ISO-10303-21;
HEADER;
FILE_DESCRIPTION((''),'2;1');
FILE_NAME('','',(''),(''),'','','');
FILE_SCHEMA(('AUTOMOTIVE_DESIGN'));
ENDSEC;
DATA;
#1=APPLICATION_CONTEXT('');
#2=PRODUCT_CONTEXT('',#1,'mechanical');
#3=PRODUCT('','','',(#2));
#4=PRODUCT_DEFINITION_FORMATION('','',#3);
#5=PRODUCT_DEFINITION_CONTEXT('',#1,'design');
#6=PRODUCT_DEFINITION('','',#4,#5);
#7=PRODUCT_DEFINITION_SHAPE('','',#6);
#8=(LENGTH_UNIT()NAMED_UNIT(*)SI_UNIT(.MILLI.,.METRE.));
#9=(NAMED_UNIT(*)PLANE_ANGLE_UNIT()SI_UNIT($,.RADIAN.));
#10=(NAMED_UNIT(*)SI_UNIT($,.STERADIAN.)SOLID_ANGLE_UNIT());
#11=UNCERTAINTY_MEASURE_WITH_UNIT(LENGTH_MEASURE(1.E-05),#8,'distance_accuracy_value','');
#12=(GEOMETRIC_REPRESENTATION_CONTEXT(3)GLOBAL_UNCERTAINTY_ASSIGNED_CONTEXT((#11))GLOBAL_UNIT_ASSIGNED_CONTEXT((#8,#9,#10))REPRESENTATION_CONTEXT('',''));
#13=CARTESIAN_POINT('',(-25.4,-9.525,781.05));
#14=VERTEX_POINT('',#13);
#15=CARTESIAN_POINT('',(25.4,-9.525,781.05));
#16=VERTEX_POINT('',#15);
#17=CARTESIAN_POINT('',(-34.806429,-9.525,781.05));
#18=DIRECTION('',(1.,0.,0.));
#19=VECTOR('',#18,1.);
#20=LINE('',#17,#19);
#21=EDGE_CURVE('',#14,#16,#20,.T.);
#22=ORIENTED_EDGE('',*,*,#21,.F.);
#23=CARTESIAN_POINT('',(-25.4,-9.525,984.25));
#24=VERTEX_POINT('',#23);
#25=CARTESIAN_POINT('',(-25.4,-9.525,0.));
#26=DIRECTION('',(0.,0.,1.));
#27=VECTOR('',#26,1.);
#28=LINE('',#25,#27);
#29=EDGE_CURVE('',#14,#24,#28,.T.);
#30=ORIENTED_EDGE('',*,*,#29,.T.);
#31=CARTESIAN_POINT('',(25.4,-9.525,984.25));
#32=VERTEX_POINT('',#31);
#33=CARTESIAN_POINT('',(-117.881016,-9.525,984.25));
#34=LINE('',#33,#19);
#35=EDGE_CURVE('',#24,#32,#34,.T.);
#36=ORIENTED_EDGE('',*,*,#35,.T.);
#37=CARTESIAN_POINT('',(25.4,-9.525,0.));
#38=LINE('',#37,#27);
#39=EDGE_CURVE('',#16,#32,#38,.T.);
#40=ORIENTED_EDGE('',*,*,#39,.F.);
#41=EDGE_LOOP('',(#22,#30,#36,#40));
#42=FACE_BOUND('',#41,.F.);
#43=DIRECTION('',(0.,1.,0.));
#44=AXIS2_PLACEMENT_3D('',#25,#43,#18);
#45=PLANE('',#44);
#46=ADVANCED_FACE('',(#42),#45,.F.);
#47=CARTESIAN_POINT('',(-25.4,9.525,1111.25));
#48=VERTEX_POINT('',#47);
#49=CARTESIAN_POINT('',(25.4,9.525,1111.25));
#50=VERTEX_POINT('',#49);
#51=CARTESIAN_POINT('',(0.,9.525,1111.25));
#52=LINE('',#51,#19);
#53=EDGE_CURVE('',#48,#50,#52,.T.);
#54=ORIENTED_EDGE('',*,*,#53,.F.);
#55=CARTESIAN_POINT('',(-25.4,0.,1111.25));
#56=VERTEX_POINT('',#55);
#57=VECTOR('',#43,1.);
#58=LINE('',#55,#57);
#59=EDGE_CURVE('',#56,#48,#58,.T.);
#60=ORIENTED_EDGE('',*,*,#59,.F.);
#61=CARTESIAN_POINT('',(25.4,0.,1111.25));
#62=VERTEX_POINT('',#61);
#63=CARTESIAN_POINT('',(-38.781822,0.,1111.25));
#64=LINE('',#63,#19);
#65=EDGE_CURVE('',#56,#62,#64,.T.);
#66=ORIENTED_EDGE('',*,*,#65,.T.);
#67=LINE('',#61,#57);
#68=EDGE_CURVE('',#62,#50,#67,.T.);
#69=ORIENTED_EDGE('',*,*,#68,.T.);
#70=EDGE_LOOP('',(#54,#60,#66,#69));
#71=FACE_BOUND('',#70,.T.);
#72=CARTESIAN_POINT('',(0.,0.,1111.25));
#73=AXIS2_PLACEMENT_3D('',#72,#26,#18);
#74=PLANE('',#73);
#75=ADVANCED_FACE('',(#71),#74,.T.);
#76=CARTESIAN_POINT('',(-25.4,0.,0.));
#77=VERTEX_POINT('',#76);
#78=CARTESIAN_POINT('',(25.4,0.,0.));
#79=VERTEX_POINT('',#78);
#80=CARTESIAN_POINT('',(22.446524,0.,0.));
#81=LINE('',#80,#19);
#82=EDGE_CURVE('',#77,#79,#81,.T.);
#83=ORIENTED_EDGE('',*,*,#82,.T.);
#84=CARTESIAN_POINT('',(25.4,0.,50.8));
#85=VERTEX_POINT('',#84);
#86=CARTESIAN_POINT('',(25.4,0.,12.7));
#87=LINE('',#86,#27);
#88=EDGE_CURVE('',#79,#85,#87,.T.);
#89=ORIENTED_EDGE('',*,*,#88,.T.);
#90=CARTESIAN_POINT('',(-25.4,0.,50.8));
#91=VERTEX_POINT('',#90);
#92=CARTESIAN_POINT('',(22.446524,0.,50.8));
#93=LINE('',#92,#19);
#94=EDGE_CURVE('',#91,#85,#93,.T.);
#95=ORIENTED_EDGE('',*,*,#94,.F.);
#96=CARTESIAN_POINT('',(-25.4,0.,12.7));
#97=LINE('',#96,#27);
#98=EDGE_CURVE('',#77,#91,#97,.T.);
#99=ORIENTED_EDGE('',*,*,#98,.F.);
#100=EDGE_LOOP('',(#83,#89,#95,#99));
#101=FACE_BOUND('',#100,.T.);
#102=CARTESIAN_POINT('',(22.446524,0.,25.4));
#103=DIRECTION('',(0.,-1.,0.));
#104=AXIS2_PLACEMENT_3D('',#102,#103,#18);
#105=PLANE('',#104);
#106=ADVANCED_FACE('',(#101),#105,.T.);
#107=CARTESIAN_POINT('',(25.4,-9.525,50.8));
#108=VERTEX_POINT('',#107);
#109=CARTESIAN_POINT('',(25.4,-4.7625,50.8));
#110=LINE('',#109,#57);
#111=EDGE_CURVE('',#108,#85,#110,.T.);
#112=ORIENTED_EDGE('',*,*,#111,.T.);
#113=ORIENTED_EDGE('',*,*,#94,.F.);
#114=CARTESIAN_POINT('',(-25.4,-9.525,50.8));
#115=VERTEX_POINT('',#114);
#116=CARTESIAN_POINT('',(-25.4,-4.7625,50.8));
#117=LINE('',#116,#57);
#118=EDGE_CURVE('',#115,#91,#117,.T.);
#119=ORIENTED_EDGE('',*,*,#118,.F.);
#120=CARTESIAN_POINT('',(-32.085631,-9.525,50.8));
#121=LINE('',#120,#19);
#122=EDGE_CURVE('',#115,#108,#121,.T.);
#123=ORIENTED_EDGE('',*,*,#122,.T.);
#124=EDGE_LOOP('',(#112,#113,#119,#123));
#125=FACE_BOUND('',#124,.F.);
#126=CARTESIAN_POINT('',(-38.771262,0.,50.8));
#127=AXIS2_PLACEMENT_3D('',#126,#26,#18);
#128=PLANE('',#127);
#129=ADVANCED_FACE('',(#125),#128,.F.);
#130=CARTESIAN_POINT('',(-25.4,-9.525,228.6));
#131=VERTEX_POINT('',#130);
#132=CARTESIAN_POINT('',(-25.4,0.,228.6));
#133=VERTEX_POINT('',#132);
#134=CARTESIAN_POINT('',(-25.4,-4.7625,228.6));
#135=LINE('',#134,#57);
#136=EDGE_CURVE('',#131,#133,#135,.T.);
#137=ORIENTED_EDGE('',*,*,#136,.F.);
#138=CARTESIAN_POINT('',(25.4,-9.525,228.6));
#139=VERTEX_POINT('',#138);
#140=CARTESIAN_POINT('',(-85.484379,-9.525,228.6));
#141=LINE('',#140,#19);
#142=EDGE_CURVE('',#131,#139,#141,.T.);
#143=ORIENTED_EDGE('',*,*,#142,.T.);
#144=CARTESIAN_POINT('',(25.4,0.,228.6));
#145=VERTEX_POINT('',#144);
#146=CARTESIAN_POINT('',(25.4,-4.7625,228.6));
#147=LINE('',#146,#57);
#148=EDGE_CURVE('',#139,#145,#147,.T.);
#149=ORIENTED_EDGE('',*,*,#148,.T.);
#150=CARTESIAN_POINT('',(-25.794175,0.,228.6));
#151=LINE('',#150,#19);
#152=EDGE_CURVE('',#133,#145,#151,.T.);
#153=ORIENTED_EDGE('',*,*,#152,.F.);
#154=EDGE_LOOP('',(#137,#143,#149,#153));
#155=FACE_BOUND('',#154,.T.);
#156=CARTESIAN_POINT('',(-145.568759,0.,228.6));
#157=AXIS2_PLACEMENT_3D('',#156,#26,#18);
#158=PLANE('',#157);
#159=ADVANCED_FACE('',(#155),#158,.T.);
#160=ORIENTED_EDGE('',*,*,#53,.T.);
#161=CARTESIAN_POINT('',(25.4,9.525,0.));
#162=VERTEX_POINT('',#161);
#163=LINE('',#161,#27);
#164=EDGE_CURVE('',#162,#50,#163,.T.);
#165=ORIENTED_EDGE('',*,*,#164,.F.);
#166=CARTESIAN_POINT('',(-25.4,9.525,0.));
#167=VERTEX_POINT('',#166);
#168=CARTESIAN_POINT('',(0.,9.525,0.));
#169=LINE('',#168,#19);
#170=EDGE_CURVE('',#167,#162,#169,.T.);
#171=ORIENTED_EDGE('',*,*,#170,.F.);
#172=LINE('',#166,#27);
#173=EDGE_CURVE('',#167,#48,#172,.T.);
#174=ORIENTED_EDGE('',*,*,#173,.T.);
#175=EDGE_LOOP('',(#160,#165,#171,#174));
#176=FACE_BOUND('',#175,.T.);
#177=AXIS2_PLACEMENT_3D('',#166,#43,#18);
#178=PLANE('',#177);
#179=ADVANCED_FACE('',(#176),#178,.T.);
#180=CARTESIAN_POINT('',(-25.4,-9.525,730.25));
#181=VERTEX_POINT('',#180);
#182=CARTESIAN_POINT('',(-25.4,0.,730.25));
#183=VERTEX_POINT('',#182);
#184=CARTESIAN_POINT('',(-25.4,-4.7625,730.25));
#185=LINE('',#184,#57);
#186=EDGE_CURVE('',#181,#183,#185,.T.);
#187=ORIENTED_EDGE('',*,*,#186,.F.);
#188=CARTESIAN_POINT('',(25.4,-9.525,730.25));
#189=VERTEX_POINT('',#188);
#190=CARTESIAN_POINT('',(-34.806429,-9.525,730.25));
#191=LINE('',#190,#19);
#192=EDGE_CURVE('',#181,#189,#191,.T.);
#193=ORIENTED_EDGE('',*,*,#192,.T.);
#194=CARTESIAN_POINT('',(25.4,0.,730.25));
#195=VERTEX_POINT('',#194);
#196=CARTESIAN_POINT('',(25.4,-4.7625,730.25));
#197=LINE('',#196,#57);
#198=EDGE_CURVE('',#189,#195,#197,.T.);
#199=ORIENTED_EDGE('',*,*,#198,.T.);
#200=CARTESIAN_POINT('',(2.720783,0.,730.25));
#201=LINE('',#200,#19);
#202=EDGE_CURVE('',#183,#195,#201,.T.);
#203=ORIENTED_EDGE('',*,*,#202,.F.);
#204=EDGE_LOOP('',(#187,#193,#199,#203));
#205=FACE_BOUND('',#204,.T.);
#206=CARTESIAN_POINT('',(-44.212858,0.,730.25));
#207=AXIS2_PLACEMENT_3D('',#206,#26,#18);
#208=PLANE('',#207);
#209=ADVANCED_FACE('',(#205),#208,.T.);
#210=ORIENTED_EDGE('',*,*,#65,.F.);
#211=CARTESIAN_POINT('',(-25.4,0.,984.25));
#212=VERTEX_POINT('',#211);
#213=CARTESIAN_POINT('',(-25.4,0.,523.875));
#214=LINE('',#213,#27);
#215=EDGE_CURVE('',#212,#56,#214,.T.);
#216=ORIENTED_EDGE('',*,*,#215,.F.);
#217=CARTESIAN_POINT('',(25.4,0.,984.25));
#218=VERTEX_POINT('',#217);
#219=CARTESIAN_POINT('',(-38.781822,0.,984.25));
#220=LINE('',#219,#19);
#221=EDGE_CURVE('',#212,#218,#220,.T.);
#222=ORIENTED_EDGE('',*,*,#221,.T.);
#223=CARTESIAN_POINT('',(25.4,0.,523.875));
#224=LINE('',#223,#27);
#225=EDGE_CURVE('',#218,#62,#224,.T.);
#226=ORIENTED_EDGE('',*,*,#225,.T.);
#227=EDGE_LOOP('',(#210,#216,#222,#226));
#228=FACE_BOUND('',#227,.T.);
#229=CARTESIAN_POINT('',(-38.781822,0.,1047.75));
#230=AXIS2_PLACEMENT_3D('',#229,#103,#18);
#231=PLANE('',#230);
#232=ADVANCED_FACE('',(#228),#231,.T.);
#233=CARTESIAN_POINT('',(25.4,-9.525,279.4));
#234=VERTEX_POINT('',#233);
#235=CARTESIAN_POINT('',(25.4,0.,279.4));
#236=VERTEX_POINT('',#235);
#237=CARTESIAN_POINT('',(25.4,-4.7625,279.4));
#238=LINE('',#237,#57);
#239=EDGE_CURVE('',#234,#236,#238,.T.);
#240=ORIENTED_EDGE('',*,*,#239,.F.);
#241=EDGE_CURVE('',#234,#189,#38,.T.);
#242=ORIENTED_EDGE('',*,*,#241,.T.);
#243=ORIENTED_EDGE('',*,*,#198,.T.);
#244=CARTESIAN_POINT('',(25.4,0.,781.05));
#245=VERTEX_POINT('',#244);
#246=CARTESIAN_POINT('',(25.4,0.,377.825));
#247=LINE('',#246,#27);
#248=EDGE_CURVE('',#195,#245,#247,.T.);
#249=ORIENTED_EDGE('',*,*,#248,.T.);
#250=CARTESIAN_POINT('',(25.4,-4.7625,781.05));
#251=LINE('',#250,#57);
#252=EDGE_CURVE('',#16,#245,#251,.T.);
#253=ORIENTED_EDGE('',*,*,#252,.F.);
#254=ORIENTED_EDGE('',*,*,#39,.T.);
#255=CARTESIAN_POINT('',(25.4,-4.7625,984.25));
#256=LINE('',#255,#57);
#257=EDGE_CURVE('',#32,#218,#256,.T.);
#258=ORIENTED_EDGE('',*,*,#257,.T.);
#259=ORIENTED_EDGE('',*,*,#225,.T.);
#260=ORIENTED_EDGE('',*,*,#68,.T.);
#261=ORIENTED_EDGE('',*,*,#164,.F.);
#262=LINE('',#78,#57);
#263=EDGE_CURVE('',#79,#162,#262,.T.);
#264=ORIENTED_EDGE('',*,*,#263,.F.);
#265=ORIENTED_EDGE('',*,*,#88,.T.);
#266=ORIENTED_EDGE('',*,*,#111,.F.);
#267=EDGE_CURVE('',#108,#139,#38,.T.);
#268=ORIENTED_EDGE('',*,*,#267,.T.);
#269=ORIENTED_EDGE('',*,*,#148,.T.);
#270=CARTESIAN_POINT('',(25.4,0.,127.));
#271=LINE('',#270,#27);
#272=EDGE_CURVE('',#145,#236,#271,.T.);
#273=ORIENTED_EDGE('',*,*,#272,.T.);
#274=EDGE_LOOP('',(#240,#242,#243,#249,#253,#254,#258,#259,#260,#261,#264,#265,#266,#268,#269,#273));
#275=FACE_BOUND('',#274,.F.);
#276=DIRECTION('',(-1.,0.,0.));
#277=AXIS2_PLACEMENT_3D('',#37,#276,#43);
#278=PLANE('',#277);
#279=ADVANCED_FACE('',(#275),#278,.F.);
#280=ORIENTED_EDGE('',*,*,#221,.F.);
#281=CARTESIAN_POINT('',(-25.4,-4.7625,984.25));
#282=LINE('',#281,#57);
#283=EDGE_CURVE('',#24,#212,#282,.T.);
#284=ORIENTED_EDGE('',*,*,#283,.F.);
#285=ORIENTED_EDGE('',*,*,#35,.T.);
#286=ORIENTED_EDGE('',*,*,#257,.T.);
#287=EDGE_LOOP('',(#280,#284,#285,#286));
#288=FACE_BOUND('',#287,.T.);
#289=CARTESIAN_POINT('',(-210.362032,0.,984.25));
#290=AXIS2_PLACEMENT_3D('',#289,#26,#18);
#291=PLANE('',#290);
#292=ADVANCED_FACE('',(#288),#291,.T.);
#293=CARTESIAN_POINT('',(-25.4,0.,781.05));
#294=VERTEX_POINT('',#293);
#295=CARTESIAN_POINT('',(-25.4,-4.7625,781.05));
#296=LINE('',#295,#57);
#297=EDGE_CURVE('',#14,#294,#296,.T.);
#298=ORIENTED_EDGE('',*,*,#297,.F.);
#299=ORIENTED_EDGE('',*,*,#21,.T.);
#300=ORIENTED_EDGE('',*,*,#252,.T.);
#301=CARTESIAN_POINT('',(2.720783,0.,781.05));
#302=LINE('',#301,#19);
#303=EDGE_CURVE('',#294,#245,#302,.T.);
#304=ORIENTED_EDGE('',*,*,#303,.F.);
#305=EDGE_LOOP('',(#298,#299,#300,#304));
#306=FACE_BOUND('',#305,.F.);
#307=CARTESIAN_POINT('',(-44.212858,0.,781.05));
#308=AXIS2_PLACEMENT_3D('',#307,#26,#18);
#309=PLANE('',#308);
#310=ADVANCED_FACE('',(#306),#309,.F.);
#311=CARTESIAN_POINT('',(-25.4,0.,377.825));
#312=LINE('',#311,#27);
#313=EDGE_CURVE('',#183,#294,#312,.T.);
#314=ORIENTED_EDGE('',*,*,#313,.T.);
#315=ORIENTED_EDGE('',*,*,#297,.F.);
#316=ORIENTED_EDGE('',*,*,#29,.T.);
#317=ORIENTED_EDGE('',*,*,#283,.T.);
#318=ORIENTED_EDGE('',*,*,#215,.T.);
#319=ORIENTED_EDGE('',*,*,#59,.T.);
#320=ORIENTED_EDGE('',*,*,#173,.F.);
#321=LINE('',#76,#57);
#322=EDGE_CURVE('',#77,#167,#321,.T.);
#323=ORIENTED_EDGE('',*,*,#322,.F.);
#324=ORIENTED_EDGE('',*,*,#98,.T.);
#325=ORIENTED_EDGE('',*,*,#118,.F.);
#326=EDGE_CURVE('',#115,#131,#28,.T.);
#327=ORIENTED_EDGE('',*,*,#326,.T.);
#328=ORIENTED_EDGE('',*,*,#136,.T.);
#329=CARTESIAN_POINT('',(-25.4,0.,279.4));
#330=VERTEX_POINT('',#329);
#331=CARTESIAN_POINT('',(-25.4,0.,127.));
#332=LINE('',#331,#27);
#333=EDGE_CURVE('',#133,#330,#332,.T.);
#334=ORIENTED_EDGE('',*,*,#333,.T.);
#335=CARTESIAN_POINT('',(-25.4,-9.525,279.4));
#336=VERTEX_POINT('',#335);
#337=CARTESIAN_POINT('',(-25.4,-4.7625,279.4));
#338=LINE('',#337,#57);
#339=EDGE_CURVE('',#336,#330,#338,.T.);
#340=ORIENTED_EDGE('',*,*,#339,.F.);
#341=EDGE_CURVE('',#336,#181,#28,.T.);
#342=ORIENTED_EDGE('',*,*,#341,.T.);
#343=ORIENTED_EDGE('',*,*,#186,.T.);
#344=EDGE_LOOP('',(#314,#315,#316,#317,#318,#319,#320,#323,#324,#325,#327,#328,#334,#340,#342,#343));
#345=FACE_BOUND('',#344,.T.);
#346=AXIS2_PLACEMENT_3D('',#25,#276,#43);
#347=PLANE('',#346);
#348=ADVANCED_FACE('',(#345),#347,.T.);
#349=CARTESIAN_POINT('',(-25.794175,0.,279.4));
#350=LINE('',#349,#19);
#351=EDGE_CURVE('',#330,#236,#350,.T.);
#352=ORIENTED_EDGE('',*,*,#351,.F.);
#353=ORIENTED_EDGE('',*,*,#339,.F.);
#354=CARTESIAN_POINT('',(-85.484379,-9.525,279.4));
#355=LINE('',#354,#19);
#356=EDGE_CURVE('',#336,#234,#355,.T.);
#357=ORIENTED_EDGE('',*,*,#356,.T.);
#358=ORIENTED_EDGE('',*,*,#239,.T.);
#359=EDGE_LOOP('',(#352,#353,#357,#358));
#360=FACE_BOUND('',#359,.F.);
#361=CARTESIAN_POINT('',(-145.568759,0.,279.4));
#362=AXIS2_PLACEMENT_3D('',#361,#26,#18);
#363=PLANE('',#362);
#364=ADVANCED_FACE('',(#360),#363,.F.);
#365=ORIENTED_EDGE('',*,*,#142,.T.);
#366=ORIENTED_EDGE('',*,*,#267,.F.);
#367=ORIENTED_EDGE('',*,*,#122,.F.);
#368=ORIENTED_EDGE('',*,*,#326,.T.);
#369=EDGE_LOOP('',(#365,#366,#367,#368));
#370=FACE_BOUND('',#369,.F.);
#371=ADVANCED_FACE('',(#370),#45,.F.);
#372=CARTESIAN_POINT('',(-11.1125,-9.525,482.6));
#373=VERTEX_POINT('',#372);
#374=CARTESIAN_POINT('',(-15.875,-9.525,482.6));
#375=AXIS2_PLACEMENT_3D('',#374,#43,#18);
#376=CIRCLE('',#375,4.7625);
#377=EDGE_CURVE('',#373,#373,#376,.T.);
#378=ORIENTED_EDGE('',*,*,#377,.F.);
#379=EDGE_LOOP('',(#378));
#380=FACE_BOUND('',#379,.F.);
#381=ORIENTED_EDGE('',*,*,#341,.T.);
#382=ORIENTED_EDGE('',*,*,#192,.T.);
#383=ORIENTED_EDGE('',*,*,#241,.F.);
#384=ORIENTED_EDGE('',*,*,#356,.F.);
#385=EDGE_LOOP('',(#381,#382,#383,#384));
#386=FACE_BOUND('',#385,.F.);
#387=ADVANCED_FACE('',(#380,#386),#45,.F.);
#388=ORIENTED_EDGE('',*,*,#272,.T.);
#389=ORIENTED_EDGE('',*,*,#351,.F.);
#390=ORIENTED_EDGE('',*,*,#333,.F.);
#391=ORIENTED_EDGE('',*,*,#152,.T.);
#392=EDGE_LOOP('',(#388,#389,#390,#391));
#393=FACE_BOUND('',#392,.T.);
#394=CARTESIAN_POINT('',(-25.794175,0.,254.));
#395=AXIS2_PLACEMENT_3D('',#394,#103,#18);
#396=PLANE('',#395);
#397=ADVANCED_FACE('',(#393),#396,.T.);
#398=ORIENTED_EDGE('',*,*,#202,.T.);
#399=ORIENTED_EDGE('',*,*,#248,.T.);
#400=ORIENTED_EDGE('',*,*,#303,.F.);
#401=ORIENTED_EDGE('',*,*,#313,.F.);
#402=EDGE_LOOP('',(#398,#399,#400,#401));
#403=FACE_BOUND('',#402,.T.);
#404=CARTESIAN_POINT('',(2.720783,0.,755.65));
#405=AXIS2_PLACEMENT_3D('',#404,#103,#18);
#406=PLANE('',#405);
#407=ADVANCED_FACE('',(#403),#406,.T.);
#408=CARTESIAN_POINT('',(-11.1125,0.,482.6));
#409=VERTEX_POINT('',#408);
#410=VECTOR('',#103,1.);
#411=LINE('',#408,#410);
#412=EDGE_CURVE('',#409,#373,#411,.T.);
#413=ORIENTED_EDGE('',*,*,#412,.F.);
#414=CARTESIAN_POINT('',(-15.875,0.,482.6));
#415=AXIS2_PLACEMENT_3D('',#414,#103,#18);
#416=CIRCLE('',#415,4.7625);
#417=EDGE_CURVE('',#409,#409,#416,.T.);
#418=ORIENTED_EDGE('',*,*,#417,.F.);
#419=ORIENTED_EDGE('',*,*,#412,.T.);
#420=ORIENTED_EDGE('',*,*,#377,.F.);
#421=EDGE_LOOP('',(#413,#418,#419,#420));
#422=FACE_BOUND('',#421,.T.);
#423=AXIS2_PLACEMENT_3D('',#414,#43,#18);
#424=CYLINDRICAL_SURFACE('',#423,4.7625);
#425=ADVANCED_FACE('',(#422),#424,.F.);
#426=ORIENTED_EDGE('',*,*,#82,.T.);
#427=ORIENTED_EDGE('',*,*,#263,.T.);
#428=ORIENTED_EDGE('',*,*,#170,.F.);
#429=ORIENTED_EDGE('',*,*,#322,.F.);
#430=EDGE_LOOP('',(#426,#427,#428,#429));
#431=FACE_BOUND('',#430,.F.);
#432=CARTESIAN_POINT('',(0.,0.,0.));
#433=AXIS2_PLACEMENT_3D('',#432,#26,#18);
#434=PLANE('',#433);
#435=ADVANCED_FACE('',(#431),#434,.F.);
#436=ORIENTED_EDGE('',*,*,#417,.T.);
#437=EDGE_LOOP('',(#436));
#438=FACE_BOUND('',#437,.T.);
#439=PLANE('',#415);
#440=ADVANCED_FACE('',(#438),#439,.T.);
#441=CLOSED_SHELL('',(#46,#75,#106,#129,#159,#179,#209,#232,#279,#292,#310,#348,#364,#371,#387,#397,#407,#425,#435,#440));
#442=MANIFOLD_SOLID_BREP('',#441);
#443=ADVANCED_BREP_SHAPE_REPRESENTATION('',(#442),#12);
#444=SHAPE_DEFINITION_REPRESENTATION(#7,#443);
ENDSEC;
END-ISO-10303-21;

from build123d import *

# Parameters (mm, degrees)
F0_W     = 50.8
F0_H     = 19.05
F1_DEPTH = 1111.25
F2_W     = 122.435573
F2_H     = 50.8
F2_W_2   = 93.867282
F2_W_3   = 343.160421
F2_H_2   = 127
F2_W_4   = 239.549167
F3_DEPTH = 25.4
F4_R     = 4.7625
F5_DEPTH = 25.4


with BuildPart() as f1:
    # F0 (on Top) → F1 (new body)
    with BuildSketch(Plane.XY):
        Rectangle(F0_W, F0_H)
    extrude(amount=F1_DEPTH)

    # F2 (on Front) → F3 (cut)
    with BuildSketch(Plane.XZ):
        with Locations((22.446524, 25.4)):
            Rectangle(F2_W, F2_H)
        with Locations((2.720783, 755.65)):
            Rectangle(F2_W_2, F2_H)
        with Locations((-38.781822, 1047.75)):
            Rectangle(F2_W_3, F2_H_2)
        with Locations((-25.794175, 254)):
            Rectangle(F2_W_4, F2_H)
    extrude(amount=F3_DEPTH, mode=Mode.SUBTRACT)

    # F4 (on Front) → F5 (cut)
    with BuildSketch(Plane.XZ):
        with Locations((-15.875, 254)):
            Circle(F4_R)
        with Locations((-15.875, 482.6)):
            Circle(F4_R)
    extrude(amount=F5_DEPTH, mode=Mode.SUBTRACT)


solid = f1.part
